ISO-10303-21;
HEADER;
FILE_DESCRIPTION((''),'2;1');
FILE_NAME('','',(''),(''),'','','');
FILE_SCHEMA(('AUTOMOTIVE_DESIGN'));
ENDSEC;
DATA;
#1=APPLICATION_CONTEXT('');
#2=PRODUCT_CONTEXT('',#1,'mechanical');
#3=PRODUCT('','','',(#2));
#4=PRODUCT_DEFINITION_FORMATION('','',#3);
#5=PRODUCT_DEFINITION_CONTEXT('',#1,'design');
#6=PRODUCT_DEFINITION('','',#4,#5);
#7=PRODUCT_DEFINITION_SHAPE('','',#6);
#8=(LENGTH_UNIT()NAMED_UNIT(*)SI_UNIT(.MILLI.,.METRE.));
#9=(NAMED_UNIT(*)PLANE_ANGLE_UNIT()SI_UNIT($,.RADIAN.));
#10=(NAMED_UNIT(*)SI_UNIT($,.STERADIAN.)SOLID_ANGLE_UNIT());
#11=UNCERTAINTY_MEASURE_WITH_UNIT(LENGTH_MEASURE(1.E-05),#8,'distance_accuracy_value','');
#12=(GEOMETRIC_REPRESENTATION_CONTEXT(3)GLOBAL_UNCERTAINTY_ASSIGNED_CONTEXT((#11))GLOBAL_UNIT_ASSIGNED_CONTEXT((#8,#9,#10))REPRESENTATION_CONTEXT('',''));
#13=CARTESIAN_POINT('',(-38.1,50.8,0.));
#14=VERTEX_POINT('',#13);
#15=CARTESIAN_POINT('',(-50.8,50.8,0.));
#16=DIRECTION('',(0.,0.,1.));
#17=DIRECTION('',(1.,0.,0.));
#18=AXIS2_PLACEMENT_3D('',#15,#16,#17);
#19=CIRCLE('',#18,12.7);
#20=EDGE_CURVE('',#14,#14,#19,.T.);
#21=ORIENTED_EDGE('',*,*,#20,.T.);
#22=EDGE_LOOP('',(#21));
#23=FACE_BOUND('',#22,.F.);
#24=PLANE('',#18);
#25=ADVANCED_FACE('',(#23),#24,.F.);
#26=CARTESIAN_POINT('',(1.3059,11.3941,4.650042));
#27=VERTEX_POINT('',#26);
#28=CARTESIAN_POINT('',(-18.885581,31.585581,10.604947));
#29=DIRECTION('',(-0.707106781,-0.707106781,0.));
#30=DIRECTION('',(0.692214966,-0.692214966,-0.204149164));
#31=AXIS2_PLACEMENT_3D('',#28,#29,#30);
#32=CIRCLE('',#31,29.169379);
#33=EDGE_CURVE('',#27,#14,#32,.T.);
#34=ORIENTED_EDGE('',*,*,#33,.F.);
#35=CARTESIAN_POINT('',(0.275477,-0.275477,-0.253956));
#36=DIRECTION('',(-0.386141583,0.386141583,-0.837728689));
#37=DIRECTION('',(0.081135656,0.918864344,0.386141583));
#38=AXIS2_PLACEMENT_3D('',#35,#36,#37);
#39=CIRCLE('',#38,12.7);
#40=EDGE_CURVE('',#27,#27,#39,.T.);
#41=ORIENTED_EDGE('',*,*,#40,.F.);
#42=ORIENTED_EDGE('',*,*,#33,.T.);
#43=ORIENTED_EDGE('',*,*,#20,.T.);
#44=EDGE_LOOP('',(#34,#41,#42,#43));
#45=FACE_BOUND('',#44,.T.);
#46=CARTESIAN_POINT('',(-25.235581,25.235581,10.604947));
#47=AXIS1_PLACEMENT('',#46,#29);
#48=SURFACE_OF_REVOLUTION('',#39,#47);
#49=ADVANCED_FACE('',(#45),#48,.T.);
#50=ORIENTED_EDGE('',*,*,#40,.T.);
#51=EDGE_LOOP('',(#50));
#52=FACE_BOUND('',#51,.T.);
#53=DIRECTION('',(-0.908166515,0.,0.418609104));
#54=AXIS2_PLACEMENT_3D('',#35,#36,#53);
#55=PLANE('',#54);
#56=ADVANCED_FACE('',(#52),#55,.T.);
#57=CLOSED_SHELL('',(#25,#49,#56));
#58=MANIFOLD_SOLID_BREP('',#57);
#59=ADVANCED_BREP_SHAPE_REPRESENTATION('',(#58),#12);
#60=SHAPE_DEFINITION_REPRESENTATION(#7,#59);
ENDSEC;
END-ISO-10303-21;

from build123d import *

# Parameters (mm, degrees)
F1_R = 12.7


with BuildPart() as f5:
    # F5: sweep along a path in F4
    with BuildLine(Plane(origin=(0, 0, 0), x_dir=(0.707107, -0.707107, 0), z_dir=(-0.707107, -0.707107, 0))) as f5_path:
        ThreePointArc((0, 0), (-35.688501, 47.835767), (-71.377002, 0))
    # F1 (on Top) → F5 (sweep)
    with BuildSketch(Plane.XY):
        with Locations((-50.8, 50.8)):
            Circle(F1_R)
    sweep(path=f5_path.line)


solid = f5.part
